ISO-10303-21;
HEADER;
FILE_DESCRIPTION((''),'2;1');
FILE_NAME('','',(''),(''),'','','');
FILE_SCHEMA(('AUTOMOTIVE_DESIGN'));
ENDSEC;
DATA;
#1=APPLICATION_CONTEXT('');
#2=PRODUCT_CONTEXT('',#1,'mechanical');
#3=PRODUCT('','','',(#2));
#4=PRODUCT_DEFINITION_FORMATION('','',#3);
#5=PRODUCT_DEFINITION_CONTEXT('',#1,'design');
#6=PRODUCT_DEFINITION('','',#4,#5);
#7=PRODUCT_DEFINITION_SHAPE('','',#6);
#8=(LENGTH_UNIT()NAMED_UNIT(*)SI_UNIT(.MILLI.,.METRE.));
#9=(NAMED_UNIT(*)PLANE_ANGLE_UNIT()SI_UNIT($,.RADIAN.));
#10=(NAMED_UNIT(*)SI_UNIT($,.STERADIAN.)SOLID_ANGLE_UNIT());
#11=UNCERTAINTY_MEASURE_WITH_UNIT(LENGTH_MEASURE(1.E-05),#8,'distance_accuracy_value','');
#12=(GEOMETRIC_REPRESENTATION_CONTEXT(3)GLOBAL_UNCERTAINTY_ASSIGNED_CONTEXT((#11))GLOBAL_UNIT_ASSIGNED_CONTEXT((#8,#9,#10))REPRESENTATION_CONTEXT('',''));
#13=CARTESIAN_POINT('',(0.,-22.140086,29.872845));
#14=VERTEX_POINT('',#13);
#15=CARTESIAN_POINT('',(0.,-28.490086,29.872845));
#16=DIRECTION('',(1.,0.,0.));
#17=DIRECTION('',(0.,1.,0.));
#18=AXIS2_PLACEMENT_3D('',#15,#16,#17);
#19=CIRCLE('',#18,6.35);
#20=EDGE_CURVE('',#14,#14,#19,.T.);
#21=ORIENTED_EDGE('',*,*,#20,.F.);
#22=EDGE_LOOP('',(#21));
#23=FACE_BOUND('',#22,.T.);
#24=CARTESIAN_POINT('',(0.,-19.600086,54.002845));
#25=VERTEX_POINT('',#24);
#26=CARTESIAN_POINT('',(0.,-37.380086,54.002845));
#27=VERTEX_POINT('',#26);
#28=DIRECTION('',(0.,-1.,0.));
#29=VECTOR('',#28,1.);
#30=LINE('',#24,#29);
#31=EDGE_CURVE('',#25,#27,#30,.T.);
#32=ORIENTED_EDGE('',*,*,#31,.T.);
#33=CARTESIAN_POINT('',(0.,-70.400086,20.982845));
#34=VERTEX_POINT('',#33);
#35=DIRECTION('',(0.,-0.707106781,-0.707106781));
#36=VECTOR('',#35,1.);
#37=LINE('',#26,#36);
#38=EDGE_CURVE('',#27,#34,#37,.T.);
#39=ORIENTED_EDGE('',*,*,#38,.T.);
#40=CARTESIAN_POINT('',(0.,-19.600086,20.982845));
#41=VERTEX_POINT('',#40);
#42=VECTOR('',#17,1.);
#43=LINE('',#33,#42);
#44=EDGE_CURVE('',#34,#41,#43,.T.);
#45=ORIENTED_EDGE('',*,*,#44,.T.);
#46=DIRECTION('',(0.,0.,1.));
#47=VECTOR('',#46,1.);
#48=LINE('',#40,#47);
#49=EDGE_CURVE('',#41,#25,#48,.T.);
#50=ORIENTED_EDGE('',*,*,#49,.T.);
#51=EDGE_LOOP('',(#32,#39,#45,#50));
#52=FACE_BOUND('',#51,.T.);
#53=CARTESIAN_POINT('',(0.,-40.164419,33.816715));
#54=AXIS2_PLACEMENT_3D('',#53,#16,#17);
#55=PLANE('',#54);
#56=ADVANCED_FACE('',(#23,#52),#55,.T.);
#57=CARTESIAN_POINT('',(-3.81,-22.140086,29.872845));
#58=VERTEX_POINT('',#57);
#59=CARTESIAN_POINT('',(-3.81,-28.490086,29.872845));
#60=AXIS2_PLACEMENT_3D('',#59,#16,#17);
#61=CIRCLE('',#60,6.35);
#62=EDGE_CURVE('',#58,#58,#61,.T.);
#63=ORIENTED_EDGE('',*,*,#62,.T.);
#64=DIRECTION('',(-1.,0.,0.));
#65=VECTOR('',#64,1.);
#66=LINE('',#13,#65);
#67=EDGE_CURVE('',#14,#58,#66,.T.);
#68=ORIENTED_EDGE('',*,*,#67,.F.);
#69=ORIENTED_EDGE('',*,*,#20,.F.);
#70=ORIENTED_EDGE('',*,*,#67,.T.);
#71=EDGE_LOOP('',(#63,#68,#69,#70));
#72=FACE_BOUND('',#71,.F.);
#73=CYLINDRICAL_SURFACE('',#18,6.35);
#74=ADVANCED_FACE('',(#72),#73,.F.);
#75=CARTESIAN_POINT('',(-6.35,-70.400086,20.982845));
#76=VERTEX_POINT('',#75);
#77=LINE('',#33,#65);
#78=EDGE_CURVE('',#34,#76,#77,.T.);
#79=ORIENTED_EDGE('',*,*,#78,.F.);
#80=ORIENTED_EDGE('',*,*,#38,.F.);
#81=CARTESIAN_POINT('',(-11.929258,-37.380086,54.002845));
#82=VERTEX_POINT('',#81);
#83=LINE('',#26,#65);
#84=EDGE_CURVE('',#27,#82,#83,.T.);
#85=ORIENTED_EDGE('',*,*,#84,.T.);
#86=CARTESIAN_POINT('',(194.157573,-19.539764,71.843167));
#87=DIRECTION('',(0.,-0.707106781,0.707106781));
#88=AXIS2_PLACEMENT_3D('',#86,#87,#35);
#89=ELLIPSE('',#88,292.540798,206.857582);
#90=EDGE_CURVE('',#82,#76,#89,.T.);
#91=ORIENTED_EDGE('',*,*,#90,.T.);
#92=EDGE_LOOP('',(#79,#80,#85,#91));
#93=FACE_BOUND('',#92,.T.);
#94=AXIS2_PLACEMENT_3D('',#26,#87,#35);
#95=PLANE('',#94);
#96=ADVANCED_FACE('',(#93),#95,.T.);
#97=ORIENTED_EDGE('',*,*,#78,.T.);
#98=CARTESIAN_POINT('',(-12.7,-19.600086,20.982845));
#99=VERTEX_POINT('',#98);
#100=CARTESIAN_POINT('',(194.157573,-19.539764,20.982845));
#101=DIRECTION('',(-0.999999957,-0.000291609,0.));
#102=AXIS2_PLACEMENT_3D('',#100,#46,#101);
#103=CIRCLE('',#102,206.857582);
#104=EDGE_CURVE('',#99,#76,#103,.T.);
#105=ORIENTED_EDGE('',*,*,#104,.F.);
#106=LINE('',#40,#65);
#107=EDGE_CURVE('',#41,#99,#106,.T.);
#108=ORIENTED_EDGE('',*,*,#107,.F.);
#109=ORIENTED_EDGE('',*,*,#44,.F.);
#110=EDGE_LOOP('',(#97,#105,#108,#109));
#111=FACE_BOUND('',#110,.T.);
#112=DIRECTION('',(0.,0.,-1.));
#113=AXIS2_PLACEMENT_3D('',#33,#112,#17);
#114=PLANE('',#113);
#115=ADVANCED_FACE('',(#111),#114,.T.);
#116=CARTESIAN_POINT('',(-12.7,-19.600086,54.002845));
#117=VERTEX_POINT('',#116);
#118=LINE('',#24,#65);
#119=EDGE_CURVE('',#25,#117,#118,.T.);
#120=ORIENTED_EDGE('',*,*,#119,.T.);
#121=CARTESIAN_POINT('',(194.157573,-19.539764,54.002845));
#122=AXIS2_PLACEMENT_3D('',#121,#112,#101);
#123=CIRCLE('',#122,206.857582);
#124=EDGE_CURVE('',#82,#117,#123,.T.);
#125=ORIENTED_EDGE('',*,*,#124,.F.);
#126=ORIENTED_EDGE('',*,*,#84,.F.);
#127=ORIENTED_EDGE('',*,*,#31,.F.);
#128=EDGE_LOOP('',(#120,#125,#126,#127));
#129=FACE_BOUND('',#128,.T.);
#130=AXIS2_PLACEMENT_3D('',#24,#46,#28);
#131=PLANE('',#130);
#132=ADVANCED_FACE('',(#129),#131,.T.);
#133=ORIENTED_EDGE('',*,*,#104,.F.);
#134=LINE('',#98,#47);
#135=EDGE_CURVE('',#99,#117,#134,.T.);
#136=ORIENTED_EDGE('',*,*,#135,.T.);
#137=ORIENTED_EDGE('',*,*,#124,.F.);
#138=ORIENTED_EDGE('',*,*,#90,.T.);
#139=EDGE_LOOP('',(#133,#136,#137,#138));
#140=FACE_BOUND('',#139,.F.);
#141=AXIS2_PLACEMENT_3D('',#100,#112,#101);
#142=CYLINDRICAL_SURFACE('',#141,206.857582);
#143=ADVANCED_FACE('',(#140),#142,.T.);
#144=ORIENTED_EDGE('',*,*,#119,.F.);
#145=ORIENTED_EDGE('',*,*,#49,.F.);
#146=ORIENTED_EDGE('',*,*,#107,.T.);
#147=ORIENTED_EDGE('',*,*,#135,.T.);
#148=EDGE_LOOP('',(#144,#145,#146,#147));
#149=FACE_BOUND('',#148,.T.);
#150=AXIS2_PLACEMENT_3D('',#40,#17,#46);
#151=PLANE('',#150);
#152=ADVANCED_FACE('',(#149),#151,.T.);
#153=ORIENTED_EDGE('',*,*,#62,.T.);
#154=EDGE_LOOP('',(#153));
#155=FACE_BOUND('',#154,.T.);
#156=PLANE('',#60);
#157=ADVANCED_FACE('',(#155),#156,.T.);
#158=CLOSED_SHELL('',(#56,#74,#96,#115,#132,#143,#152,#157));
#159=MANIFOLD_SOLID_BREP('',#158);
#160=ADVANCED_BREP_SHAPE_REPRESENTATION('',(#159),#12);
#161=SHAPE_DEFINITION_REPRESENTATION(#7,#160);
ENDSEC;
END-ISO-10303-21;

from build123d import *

# Parameters (mm, degrees)
F0_R     = 6.35
F1_DEPTH = 12.7
F2_DEPTH = 3.81
F4_DEPTH = 50.8


with BuildPart() as f1:
    # F0 (on Right) → F1 (new body)
    with BuildSketch(Plane.YZ):
        Polygon((-37.380086, 54.002845), (-70.400086, 20.982845), (-19.600086, 20.982845), (-19.600086, 54.002845), align=None)
        with Locations((-28.490086, 29.872845)):
            Circle(F0_R, mode=Mode.SUBTRACT)
        with Locations((-28.490086, 29.872845)):
            Circle(F0_R)
    extrude(amount=-F1_DEPTH)

    # F0 (on Right) → F2 (cut)
    with BuildSketch(Plane.YZ):
        with Locations((-28.490086, 29.872845)):
            Circle(F0_R)
    extrude(amount=-F2_DEPTH, mode=Mode.SUBTRACT)

    # F3 (on face) → F4 (cut)
    with BuildSketch(Plane(origin=(0, 0, 20.982845), x_dir=(1, 0, 0), z_dir=(0, 0, -1))):
        with BuildLine():
            ThreePointArc((-12.7, 19.600086), (-11.102629, 45.19729), (-6.35, 70.400086))
            Line((-6.35, 70.400086), (-12.7, 70.400086))
            Line((-12.7, 70.400086), (-12.7, 19.600086))
        make_face()
    extrude(amount=-F4_DEPTH, mode=Mode.SUBTRACT)


solid = f1.part
